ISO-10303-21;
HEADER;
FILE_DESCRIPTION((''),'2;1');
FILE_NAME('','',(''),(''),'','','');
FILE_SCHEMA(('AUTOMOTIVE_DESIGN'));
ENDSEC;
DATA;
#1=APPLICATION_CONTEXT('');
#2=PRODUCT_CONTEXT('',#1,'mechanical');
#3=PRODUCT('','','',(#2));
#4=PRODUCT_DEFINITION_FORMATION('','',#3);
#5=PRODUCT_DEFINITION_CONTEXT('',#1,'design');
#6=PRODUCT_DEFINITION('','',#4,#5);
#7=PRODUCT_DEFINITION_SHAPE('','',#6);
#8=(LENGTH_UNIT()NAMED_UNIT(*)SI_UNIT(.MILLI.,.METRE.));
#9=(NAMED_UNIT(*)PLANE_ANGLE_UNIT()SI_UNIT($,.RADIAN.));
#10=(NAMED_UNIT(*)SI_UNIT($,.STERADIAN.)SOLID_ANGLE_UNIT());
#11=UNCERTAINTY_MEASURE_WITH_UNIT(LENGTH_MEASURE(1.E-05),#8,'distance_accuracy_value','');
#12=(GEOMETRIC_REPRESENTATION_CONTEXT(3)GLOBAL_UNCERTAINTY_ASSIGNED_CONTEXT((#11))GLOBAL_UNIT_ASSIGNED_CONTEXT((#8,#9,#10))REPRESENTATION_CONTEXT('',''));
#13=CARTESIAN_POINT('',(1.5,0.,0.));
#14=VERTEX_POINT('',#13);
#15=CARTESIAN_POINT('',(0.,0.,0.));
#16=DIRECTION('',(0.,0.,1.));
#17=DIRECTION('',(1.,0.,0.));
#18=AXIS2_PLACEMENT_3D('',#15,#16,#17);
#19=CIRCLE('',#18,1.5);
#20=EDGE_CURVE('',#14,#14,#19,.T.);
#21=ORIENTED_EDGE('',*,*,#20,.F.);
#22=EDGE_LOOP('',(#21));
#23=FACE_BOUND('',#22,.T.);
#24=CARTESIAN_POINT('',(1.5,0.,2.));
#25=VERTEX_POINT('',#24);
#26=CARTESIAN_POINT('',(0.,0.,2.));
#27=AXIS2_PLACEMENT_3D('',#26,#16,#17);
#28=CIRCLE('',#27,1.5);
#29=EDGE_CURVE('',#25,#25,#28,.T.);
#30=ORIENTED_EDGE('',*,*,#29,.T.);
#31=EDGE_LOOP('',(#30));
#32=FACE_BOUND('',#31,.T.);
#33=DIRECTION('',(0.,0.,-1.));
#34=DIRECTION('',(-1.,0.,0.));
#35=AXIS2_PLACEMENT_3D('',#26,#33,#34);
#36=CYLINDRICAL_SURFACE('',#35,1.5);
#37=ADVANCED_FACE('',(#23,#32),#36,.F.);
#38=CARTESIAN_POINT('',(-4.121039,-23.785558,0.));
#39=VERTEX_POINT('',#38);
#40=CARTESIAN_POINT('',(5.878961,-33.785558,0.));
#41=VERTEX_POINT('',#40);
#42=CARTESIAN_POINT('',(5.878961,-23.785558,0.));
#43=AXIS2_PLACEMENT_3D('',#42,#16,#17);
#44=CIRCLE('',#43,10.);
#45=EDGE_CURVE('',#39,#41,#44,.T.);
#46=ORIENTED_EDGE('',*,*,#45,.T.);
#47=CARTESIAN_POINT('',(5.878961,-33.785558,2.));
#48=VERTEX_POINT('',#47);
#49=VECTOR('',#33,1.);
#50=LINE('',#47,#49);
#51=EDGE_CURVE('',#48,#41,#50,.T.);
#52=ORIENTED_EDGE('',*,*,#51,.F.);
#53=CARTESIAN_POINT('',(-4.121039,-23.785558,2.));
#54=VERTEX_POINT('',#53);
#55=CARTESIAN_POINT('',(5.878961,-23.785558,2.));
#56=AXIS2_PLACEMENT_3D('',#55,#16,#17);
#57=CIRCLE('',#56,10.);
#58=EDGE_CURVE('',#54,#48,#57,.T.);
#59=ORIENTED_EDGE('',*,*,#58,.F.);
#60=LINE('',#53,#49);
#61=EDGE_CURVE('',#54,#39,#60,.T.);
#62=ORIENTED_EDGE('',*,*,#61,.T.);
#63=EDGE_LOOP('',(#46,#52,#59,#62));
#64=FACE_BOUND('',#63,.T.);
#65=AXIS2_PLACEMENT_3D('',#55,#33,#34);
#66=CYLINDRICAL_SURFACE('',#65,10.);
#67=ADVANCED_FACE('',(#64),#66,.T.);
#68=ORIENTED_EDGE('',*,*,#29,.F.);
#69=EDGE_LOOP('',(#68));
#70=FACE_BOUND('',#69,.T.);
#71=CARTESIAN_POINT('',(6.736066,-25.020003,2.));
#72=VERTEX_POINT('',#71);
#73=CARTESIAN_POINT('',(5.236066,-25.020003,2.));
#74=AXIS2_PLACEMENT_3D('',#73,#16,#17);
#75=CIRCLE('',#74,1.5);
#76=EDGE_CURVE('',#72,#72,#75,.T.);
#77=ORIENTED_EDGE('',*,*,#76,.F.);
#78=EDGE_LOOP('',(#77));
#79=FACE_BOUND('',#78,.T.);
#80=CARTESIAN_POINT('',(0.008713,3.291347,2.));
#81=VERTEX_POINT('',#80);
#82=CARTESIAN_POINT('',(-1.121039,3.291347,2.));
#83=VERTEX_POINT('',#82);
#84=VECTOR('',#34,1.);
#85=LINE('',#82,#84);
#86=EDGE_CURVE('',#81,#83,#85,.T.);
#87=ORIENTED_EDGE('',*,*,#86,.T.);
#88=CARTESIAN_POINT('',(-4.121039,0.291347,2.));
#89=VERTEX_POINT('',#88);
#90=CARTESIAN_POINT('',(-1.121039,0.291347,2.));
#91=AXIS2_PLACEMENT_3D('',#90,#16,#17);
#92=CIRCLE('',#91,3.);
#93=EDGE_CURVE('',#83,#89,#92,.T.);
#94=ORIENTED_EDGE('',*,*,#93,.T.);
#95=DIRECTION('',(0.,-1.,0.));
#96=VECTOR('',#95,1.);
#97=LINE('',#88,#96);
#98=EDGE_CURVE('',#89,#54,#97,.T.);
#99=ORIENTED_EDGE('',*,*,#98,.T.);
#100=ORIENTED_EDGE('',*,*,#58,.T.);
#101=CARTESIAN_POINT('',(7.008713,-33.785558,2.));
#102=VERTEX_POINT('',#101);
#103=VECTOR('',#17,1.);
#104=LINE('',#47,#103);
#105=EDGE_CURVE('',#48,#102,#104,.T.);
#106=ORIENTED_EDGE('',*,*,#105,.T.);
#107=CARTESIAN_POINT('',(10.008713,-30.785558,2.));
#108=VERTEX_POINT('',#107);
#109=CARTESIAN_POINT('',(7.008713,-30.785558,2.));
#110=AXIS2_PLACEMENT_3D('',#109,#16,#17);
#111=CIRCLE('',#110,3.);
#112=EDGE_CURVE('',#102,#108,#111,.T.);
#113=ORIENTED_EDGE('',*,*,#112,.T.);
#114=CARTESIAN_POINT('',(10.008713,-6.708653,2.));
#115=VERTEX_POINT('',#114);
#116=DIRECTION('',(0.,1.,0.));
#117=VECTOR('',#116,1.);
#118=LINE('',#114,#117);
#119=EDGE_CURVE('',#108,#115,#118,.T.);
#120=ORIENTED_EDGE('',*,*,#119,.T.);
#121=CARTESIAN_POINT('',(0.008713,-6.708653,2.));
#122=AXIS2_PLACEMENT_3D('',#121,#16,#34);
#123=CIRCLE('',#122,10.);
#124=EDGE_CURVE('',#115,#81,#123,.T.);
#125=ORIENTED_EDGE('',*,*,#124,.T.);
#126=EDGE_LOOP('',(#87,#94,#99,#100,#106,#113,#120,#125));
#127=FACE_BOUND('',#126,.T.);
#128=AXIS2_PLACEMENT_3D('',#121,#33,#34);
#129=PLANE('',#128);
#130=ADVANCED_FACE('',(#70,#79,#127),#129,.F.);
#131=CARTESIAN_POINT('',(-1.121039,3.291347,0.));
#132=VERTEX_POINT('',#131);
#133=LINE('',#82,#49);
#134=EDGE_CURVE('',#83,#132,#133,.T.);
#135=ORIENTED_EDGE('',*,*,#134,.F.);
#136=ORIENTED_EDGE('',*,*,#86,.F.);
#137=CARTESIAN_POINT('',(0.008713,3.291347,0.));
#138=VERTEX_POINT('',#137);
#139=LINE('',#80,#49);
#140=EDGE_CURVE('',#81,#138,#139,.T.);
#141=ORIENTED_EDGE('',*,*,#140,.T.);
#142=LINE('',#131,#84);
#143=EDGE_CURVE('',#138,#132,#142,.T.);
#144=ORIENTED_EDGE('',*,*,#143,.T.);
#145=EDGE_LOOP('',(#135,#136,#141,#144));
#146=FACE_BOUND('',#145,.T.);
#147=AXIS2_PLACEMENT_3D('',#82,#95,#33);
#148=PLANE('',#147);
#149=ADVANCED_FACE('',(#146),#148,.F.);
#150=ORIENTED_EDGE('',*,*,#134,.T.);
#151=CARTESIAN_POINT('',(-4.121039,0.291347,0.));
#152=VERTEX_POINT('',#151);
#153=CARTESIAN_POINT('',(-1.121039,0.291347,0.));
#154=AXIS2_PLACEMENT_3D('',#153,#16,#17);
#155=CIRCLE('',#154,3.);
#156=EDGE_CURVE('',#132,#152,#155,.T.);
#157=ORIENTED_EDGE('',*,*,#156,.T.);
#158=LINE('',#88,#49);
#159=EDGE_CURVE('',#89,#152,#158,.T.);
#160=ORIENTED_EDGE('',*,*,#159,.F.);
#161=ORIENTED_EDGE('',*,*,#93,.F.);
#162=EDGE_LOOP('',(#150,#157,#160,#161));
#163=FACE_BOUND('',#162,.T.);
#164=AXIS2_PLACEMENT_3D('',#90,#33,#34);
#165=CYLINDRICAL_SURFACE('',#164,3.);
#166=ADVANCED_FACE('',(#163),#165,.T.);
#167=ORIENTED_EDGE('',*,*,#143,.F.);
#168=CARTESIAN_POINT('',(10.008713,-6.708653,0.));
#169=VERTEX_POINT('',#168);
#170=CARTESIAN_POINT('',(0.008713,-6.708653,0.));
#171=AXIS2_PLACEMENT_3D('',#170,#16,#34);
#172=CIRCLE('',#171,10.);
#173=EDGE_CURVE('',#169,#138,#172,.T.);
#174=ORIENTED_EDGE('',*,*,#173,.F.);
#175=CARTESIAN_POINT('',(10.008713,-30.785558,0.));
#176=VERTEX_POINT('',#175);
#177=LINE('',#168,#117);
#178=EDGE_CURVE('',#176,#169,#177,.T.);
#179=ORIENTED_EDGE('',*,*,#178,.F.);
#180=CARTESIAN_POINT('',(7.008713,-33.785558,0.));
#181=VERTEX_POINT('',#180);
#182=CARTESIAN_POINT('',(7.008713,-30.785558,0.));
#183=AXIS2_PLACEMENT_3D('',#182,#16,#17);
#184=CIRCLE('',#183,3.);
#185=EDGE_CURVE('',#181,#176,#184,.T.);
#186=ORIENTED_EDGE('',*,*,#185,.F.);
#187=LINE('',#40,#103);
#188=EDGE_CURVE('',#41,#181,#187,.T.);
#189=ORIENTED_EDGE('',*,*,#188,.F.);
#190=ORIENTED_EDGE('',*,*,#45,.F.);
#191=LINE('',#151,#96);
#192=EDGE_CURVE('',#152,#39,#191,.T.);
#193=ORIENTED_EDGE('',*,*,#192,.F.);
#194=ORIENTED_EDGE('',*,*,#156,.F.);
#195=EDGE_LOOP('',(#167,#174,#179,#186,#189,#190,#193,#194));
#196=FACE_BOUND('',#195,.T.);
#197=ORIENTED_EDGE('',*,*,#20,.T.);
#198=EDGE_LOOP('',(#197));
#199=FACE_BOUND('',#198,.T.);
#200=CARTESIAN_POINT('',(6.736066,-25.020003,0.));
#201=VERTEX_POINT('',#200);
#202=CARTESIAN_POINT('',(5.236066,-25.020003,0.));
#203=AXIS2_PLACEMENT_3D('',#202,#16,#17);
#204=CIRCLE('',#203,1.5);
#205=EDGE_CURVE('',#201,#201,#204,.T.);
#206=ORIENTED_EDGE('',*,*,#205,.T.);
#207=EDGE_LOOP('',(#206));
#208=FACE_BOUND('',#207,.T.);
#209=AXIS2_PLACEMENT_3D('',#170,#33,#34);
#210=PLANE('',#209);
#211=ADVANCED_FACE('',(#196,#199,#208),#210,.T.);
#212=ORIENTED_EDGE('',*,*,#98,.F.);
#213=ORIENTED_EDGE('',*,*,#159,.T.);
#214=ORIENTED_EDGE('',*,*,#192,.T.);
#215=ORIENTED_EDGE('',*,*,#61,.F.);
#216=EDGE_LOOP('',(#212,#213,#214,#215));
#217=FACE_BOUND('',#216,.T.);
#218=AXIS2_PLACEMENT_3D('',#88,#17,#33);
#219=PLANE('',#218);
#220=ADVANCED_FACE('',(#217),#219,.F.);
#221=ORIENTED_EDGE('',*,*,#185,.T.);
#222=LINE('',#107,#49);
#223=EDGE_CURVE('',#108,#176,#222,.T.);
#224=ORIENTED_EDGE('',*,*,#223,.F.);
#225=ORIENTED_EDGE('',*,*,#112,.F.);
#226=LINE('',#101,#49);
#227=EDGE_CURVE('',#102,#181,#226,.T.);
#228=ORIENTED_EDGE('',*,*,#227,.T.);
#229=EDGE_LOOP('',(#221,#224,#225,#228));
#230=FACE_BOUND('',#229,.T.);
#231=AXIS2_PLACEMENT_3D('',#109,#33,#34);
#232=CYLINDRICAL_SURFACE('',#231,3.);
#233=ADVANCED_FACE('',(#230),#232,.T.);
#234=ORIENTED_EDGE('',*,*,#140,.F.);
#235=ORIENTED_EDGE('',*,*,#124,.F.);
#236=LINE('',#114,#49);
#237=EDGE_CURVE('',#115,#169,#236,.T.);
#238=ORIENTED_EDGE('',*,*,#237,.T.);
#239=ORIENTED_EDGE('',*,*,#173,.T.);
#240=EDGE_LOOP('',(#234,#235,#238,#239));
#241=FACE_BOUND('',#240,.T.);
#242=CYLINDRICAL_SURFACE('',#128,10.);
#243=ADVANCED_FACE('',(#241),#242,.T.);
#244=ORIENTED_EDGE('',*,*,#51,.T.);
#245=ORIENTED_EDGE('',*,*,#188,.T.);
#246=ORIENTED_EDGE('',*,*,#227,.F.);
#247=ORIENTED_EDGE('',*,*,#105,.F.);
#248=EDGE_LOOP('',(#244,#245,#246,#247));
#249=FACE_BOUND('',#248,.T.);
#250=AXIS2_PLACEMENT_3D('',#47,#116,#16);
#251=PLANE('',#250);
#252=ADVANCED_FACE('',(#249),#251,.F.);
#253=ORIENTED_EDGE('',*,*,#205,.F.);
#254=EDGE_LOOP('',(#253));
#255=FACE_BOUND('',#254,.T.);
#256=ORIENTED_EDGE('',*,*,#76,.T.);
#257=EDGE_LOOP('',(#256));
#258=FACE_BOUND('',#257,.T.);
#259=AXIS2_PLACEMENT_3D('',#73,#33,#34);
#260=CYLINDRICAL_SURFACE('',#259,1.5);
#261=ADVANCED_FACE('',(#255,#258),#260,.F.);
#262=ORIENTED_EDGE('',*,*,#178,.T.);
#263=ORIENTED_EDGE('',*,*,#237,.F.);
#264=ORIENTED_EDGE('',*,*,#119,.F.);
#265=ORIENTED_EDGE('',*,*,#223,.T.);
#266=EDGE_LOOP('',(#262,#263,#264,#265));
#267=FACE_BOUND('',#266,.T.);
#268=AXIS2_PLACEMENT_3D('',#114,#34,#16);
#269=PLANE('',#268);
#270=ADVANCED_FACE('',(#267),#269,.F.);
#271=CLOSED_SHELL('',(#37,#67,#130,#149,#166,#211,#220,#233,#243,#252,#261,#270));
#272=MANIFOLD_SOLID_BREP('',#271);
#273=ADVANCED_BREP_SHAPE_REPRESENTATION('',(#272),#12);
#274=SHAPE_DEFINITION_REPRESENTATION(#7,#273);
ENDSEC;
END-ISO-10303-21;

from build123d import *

# Parameters (mm, degrees)
ESBO_O1_R                = 1.5
RESSALTO_EXTRUS_O1_DEPTH = 2


with BuildPart() as part:
    # Esboço1 → Ressalto-extrusão1 (new body)
    with BuildSketch(Plane.XY):
        with BuildLine():
            Line((-1.121038668, 3.291347086), (0.008712569, 3.291347086))
            ThreePointArc((0.008712569, 3.291347086), (7.079780381, 0.362414898), (10.008712569, -6.708652914))
            Line((10.008712569, -6.708652914), (10.008712569, -30.785558293))
            ThreePointArc((10.008712569, -30.785558293), (9.130032913, -32.906878637), (7.008712569, -33.785558293))
            Line((7.008712569, -33.785558293), (5.878961332, -33.785558293))
            ThreePointArc((5.878961332, -33.785558293), (-1.19210648, -30.856626105), (-4.121038668, -23.785558293))
            Line((-4.121038668, -23.785558293), (-4.121038668, 0.291347086))
            ThreePointArc((-4.121038668, 0.291347086), (-3.242359012, 2.41266743), (-1.121038668, 3.291347086))
        make_face()
        Circle(ESBO_O1_R, mode=Mode.SUBTRACT)
        with Locations((5.236066432, -25.02000308)):
            Circle(ESBO_O1_R, mode=Mode.SUBTRACT)
    extrude(amount=RESSALTO_EXTRUS_O1_DEPTH)


solid = part.part
